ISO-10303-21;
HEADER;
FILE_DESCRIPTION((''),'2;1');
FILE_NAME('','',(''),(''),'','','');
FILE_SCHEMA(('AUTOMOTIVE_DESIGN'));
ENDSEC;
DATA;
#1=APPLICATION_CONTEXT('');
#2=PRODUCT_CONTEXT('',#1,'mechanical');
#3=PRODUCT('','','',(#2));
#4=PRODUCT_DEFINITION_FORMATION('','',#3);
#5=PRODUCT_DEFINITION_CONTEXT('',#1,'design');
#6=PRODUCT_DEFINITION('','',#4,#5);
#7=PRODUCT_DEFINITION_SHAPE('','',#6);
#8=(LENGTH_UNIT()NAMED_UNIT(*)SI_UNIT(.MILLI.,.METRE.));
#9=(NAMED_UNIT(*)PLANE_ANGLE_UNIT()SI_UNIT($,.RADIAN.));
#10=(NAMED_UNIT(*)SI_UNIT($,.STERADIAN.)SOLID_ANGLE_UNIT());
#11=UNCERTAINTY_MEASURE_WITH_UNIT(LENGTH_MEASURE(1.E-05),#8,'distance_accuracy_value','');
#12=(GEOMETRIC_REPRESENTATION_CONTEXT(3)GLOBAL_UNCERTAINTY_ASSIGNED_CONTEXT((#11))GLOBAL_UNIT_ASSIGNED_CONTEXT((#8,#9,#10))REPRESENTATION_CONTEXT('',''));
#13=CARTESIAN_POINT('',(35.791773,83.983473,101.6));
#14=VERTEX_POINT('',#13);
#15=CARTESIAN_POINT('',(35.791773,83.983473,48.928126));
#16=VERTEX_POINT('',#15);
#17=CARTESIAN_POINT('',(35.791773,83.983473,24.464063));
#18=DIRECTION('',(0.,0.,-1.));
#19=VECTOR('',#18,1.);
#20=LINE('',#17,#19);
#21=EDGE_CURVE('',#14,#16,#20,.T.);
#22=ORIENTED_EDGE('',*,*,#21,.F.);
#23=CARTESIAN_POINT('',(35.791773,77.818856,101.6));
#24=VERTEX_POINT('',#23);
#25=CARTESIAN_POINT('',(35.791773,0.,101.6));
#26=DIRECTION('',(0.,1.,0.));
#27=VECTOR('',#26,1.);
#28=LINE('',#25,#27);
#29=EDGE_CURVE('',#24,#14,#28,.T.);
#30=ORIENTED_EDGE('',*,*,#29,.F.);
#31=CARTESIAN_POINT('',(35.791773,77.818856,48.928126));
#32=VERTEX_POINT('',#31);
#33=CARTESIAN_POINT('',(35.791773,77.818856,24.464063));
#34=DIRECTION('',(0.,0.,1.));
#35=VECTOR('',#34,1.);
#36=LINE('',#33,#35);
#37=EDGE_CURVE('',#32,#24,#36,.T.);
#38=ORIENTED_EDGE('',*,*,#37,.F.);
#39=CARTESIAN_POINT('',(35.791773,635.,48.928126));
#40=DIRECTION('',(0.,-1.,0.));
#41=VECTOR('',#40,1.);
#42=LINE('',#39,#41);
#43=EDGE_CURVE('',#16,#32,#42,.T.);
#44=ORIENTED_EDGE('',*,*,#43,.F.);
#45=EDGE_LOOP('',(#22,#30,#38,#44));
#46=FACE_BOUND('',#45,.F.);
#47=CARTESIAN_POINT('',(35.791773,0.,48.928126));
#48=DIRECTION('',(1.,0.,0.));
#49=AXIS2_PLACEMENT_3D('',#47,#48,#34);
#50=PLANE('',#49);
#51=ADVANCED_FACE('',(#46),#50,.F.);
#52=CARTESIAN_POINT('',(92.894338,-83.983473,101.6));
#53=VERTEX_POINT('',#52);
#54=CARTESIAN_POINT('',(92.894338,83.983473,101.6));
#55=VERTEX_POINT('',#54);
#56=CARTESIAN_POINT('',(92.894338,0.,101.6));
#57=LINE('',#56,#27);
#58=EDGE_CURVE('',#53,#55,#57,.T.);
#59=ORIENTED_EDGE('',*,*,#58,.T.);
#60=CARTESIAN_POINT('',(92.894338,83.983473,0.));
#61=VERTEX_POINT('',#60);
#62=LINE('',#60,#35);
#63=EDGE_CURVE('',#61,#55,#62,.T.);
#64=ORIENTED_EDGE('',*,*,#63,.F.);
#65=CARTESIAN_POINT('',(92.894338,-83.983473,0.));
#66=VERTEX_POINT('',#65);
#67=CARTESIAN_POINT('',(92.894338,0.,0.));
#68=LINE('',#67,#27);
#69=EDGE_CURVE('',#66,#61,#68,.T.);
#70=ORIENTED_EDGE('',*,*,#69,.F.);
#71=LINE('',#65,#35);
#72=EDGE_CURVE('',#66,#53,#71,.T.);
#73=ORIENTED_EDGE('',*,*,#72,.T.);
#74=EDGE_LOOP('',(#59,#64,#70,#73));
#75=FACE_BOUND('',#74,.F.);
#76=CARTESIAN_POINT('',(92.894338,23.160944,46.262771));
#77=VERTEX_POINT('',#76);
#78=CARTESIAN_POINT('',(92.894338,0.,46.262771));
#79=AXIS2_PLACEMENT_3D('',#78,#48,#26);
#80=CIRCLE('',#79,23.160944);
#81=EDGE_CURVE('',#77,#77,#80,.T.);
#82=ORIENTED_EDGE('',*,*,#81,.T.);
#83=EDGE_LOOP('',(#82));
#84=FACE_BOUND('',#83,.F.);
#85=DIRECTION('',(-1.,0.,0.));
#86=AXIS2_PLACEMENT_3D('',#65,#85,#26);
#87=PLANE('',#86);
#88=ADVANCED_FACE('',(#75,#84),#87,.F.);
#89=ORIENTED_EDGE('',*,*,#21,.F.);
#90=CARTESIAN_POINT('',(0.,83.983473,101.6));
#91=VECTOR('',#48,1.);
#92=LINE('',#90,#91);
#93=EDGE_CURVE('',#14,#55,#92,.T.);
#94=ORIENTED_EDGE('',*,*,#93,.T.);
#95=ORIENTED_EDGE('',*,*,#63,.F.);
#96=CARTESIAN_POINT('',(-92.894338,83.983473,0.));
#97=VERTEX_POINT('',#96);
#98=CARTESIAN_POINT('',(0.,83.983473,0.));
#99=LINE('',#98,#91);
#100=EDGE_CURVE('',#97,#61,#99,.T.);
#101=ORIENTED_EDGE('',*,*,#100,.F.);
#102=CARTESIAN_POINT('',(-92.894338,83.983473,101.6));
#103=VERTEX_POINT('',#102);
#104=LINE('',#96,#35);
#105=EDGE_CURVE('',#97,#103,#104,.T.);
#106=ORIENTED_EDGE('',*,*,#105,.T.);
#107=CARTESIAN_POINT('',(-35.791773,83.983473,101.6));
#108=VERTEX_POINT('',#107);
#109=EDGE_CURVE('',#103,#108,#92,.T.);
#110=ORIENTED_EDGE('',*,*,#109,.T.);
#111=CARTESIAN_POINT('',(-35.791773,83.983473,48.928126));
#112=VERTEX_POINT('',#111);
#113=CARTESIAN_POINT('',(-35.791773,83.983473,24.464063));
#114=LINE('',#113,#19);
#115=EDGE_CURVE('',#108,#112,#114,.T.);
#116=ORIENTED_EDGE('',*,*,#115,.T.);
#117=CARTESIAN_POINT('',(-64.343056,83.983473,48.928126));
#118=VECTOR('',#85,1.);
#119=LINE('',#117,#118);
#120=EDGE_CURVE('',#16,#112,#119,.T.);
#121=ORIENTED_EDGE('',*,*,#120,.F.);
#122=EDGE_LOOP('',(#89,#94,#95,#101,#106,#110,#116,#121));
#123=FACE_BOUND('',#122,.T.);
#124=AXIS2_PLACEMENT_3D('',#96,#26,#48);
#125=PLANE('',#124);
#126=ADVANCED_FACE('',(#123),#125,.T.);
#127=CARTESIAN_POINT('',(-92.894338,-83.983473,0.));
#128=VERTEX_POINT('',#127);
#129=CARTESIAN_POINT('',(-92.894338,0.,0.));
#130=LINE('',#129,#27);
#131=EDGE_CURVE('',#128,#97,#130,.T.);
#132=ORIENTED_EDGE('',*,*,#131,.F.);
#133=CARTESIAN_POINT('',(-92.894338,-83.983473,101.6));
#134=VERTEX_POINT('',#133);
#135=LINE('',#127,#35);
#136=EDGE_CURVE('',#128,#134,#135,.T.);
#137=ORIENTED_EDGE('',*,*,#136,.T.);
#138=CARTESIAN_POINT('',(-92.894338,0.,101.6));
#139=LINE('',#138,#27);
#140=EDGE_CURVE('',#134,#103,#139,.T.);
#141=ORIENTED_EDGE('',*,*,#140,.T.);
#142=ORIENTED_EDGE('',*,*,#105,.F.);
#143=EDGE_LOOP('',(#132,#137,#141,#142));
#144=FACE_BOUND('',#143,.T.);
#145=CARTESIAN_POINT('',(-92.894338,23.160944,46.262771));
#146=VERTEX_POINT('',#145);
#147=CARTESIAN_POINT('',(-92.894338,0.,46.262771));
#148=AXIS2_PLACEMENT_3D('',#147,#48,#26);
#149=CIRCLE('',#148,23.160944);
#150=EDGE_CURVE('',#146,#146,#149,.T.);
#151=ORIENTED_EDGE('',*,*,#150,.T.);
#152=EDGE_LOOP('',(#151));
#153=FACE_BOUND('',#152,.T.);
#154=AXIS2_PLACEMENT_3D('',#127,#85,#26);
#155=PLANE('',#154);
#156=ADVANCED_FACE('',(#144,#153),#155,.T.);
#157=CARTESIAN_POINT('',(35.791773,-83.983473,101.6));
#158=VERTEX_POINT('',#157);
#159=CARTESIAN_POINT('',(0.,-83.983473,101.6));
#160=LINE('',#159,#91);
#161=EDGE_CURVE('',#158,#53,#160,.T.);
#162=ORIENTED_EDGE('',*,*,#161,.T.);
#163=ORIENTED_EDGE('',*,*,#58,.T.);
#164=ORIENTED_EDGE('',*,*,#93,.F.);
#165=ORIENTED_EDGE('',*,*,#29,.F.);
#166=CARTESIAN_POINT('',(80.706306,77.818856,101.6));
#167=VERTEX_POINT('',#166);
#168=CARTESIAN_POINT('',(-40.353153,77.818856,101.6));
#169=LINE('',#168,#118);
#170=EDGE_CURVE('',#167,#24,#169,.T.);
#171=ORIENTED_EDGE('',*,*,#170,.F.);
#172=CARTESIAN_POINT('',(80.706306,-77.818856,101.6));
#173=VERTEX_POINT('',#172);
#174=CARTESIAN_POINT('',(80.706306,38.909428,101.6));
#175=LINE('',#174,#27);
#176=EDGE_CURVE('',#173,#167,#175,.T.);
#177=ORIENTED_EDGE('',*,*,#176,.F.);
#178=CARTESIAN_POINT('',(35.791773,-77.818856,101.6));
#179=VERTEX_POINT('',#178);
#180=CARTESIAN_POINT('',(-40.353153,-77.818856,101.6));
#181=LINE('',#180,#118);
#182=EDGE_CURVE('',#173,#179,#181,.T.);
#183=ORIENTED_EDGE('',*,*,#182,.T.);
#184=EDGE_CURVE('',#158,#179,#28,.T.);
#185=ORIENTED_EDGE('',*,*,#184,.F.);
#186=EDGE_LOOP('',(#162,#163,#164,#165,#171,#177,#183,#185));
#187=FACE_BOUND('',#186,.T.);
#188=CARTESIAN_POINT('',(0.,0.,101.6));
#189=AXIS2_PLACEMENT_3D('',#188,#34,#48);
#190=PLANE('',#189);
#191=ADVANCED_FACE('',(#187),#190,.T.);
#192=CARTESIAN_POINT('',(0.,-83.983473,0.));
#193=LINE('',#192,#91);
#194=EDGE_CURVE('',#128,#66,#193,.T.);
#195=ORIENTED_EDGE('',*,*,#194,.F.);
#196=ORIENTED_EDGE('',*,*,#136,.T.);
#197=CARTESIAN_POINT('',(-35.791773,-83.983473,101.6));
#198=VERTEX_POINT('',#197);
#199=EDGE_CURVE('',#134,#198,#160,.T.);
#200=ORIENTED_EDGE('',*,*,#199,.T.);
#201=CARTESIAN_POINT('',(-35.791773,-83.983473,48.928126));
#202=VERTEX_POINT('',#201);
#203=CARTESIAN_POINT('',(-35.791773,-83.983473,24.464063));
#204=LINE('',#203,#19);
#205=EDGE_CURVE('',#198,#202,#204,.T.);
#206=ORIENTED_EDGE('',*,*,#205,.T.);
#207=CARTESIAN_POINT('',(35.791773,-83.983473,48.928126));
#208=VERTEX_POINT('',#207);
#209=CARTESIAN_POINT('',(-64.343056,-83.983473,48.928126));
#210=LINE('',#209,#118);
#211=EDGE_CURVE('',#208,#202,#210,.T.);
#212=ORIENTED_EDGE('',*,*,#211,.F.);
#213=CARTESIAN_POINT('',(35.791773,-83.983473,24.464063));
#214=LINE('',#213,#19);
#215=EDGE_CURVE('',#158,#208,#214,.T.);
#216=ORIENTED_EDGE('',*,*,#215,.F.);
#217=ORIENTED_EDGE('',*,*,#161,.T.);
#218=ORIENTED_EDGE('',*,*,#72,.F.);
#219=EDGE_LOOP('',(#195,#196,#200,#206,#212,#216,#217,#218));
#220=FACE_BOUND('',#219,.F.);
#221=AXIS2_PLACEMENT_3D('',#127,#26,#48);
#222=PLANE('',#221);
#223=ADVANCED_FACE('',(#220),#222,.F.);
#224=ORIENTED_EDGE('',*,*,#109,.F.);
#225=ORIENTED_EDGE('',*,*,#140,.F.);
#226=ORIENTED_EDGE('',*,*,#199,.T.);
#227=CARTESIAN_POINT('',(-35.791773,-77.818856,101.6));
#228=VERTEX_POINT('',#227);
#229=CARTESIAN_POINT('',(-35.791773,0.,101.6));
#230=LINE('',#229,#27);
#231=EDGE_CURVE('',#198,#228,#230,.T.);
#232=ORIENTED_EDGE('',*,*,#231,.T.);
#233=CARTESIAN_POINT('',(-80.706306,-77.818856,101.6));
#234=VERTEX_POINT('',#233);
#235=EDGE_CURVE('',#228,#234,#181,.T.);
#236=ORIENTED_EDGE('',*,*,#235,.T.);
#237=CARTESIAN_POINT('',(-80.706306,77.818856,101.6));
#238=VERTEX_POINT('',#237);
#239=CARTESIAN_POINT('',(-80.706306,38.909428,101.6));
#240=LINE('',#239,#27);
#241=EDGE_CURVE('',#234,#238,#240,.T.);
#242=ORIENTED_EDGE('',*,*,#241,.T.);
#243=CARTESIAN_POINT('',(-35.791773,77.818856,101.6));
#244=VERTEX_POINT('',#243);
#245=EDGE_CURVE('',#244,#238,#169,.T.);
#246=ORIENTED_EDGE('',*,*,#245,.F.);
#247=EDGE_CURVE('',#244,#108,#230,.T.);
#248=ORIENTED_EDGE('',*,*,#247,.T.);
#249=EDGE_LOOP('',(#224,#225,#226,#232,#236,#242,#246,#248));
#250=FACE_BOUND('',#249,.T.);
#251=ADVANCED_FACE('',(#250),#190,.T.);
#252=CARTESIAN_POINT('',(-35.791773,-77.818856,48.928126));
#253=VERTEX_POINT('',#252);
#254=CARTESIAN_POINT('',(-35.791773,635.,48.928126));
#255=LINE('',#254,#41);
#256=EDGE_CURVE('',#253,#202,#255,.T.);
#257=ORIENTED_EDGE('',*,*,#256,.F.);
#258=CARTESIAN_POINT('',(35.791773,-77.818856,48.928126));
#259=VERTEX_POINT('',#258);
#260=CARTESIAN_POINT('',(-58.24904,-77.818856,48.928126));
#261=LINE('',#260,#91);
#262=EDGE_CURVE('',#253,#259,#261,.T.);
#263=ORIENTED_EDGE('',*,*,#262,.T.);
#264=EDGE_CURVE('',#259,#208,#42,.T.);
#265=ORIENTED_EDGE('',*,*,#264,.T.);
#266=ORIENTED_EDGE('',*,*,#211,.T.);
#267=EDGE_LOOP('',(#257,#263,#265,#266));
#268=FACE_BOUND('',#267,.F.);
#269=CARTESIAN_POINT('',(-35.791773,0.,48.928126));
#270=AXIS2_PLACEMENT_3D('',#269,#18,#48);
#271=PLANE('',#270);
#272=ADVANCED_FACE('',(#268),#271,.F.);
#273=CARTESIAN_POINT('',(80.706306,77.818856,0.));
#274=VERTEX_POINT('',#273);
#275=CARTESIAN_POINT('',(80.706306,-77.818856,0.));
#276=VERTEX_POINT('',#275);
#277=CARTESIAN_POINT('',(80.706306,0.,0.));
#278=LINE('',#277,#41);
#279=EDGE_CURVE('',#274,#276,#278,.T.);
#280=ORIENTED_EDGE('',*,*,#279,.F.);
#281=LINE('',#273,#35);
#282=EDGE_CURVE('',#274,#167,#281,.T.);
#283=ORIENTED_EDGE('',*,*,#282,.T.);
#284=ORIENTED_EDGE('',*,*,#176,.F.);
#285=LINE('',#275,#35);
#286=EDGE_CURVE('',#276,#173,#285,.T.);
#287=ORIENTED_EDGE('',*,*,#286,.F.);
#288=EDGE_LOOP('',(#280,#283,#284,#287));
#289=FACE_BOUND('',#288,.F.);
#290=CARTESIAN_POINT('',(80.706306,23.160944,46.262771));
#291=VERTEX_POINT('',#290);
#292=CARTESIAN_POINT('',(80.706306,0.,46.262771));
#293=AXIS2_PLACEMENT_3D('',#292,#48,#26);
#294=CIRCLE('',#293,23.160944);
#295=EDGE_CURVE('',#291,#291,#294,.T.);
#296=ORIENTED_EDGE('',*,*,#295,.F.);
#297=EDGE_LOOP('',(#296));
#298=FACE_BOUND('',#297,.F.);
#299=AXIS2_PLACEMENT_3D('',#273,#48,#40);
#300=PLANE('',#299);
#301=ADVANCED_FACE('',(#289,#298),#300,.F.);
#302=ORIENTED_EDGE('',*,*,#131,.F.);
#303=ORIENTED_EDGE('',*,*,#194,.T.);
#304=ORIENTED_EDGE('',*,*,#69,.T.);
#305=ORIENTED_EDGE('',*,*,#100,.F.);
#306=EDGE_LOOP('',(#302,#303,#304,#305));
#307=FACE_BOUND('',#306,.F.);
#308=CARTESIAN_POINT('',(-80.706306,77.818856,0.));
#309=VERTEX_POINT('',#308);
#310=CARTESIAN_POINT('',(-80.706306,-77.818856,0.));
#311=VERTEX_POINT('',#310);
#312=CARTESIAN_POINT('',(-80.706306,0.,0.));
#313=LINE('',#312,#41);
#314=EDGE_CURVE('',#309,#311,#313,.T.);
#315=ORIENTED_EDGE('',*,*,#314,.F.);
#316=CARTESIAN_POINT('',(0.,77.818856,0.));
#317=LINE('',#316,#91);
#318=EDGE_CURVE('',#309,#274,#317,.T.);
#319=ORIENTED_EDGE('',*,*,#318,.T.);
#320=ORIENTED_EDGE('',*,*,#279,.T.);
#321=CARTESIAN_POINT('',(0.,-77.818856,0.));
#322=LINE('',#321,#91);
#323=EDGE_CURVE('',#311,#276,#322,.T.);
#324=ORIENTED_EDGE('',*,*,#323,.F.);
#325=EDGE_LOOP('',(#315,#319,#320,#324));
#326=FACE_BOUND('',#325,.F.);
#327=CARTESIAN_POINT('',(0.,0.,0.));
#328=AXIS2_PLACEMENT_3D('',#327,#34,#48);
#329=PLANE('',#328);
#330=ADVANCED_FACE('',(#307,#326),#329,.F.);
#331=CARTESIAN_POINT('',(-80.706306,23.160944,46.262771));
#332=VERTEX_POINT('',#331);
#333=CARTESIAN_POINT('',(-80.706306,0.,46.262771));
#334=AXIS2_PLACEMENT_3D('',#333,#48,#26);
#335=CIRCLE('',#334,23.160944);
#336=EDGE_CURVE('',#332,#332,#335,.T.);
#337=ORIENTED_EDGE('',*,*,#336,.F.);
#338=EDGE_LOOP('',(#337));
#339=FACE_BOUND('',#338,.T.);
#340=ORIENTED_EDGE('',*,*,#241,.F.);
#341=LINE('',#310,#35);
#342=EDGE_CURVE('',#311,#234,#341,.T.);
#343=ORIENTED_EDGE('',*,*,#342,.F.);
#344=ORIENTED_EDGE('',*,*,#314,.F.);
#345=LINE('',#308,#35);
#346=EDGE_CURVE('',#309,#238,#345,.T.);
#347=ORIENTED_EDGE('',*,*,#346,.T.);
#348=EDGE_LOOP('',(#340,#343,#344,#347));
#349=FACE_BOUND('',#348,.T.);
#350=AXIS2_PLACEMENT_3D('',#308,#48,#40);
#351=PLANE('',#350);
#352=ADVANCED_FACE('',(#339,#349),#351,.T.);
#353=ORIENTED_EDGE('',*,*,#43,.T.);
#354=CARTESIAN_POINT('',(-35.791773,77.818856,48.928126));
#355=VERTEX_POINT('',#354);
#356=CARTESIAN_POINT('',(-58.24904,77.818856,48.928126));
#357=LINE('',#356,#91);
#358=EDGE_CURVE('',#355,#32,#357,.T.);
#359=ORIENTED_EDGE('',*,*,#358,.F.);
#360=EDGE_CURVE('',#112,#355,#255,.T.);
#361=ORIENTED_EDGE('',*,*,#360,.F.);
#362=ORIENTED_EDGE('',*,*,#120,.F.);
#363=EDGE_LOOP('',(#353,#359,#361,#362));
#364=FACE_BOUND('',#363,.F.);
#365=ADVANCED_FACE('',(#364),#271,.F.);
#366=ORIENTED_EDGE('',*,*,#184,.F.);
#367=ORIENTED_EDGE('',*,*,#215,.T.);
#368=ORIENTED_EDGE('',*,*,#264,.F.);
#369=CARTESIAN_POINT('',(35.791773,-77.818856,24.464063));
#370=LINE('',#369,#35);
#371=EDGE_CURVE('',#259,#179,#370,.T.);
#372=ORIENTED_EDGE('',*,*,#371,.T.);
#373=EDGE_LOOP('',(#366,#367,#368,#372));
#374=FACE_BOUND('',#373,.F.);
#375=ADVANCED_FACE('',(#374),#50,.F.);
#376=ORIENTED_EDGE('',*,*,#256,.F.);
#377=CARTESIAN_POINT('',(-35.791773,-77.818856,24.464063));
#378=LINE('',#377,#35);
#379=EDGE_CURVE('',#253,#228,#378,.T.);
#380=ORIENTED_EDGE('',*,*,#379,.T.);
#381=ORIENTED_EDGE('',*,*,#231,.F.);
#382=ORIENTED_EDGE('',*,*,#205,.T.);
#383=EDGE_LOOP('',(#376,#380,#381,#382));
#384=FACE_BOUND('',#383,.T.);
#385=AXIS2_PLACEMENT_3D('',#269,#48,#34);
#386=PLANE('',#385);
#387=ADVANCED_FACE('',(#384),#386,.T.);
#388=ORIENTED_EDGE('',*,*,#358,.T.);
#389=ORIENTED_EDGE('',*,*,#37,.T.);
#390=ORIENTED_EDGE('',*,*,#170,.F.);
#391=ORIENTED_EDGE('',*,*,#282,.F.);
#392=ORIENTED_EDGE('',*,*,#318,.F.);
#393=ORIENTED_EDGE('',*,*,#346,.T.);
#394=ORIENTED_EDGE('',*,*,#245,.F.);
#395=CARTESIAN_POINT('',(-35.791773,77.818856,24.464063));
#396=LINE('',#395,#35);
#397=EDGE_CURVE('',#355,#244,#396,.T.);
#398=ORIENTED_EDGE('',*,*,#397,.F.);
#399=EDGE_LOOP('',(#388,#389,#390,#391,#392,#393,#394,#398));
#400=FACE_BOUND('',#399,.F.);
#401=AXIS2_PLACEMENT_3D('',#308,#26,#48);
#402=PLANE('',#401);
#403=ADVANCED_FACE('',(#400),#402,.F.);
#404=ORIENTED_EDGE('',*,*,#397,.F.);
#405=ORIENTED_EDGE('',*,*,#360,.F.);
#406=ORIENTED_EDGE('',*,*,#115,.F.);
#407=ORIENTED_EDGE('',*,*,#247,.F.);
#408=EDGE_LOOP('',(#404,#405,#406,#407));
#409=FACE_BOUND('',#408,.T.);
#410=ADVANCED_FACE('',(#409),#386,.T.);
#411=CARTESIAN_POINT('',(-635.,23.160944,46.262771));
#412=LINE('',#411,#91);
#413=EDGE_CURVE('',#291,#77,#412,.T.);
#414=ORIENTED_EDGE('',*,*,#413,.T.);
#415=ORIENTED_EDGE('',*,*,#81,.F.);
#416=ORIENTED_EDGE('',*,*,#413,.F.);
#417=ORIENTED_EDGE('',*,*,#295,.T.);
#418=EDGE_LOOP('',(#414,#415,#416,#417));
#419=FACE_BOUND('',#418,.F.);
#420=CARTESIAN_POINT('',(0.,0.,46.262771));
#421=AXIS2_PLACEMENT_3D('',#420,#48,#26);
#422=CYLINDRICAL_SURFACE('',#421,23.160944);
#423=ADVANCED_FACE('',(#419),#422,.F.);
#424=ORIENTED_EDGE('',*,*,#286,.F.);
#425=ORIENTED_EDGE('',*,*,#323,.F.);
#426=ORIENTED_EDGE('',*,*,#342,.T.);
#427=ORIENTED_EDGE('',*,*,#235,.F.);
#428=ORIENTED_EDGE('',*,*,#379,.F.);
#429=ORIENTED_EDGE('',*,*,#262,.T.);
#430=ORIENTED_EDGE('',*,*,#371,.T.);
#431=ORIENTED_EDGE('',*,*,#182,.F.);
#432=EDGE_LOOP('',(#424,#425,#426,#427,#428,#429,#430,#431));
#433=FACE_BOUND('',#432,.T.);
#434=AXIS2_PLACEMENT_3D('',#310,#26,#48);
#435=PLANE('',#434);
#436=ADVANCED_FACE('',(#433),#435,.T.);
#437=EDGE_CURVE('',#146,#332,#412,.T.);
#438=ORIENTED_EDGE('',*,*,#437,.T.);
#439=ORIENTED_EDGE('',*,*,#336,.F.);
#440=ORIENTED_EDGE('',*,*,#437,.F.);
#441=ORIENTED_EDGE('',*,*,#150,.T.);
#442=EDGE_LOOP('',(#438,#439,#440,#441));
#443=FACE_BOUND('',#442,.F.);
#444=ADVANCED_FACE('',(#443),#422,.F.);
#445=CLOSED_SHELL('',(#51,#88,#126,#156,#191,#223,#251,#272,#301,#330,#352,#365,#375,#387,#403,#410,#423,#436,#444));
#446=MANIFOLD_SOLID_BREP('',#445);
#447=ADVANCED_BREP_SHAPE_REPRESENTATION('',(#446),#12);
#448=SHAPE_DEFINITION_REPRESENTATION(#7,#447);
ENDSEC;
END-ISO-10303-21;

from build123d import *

# Parameters (mm, degrees)
F0_W     = 185.788676
F0_H     = 167.966946
F1_DEPTH = 101.6
F2_W     = 71.583546
F2_H     = 55.591479
F3_DEPTH = 635
F4_W     = 161.412612
F4_H     = 155.637712
F5_DEPTH = 1270
F6_R     = 23.160944
F7_DEPTH = 635


with BuildPart() as f1:
    # F0 (on Top) → F1 (new body)
    with BuildSketch(Plane.XY):
        Rectangle(F0_W, F0_H)
    extrude(amount=F1_DEPTH)

    # F2 (on Front) → F3 (cut, symmetric)
    with BuildSketch(Plane.XZ):
        with Locations((0, 76.723866)):
            Rectangle(F2_W, F2_H)
    extrude(amount=F3_DEPTH, both=True, mode=Mode.SUBTRACT)

    # F4 (on face) → F5 (cut)
    with BuildSketch(Plane(origin=(0, 0, 0), x_dir=(1, 0, 0), z_dir=(0, 0, -1))):
        Rectangle(F4_W, F4_H)
    extrude(amount=-F5_DEPTH, mode=Mode.SUBTRACT)

    # F6 (on Right) → F7 (cut, symmetric)
    with BuildSketch(Plane.YZ):
        with Locations((0, 46.262771)):
            Circle(F6_R)
    extrude(amount=F7_DEPTH, both=True, mode=Mode.SUBTRACT)


solid = f1.part
